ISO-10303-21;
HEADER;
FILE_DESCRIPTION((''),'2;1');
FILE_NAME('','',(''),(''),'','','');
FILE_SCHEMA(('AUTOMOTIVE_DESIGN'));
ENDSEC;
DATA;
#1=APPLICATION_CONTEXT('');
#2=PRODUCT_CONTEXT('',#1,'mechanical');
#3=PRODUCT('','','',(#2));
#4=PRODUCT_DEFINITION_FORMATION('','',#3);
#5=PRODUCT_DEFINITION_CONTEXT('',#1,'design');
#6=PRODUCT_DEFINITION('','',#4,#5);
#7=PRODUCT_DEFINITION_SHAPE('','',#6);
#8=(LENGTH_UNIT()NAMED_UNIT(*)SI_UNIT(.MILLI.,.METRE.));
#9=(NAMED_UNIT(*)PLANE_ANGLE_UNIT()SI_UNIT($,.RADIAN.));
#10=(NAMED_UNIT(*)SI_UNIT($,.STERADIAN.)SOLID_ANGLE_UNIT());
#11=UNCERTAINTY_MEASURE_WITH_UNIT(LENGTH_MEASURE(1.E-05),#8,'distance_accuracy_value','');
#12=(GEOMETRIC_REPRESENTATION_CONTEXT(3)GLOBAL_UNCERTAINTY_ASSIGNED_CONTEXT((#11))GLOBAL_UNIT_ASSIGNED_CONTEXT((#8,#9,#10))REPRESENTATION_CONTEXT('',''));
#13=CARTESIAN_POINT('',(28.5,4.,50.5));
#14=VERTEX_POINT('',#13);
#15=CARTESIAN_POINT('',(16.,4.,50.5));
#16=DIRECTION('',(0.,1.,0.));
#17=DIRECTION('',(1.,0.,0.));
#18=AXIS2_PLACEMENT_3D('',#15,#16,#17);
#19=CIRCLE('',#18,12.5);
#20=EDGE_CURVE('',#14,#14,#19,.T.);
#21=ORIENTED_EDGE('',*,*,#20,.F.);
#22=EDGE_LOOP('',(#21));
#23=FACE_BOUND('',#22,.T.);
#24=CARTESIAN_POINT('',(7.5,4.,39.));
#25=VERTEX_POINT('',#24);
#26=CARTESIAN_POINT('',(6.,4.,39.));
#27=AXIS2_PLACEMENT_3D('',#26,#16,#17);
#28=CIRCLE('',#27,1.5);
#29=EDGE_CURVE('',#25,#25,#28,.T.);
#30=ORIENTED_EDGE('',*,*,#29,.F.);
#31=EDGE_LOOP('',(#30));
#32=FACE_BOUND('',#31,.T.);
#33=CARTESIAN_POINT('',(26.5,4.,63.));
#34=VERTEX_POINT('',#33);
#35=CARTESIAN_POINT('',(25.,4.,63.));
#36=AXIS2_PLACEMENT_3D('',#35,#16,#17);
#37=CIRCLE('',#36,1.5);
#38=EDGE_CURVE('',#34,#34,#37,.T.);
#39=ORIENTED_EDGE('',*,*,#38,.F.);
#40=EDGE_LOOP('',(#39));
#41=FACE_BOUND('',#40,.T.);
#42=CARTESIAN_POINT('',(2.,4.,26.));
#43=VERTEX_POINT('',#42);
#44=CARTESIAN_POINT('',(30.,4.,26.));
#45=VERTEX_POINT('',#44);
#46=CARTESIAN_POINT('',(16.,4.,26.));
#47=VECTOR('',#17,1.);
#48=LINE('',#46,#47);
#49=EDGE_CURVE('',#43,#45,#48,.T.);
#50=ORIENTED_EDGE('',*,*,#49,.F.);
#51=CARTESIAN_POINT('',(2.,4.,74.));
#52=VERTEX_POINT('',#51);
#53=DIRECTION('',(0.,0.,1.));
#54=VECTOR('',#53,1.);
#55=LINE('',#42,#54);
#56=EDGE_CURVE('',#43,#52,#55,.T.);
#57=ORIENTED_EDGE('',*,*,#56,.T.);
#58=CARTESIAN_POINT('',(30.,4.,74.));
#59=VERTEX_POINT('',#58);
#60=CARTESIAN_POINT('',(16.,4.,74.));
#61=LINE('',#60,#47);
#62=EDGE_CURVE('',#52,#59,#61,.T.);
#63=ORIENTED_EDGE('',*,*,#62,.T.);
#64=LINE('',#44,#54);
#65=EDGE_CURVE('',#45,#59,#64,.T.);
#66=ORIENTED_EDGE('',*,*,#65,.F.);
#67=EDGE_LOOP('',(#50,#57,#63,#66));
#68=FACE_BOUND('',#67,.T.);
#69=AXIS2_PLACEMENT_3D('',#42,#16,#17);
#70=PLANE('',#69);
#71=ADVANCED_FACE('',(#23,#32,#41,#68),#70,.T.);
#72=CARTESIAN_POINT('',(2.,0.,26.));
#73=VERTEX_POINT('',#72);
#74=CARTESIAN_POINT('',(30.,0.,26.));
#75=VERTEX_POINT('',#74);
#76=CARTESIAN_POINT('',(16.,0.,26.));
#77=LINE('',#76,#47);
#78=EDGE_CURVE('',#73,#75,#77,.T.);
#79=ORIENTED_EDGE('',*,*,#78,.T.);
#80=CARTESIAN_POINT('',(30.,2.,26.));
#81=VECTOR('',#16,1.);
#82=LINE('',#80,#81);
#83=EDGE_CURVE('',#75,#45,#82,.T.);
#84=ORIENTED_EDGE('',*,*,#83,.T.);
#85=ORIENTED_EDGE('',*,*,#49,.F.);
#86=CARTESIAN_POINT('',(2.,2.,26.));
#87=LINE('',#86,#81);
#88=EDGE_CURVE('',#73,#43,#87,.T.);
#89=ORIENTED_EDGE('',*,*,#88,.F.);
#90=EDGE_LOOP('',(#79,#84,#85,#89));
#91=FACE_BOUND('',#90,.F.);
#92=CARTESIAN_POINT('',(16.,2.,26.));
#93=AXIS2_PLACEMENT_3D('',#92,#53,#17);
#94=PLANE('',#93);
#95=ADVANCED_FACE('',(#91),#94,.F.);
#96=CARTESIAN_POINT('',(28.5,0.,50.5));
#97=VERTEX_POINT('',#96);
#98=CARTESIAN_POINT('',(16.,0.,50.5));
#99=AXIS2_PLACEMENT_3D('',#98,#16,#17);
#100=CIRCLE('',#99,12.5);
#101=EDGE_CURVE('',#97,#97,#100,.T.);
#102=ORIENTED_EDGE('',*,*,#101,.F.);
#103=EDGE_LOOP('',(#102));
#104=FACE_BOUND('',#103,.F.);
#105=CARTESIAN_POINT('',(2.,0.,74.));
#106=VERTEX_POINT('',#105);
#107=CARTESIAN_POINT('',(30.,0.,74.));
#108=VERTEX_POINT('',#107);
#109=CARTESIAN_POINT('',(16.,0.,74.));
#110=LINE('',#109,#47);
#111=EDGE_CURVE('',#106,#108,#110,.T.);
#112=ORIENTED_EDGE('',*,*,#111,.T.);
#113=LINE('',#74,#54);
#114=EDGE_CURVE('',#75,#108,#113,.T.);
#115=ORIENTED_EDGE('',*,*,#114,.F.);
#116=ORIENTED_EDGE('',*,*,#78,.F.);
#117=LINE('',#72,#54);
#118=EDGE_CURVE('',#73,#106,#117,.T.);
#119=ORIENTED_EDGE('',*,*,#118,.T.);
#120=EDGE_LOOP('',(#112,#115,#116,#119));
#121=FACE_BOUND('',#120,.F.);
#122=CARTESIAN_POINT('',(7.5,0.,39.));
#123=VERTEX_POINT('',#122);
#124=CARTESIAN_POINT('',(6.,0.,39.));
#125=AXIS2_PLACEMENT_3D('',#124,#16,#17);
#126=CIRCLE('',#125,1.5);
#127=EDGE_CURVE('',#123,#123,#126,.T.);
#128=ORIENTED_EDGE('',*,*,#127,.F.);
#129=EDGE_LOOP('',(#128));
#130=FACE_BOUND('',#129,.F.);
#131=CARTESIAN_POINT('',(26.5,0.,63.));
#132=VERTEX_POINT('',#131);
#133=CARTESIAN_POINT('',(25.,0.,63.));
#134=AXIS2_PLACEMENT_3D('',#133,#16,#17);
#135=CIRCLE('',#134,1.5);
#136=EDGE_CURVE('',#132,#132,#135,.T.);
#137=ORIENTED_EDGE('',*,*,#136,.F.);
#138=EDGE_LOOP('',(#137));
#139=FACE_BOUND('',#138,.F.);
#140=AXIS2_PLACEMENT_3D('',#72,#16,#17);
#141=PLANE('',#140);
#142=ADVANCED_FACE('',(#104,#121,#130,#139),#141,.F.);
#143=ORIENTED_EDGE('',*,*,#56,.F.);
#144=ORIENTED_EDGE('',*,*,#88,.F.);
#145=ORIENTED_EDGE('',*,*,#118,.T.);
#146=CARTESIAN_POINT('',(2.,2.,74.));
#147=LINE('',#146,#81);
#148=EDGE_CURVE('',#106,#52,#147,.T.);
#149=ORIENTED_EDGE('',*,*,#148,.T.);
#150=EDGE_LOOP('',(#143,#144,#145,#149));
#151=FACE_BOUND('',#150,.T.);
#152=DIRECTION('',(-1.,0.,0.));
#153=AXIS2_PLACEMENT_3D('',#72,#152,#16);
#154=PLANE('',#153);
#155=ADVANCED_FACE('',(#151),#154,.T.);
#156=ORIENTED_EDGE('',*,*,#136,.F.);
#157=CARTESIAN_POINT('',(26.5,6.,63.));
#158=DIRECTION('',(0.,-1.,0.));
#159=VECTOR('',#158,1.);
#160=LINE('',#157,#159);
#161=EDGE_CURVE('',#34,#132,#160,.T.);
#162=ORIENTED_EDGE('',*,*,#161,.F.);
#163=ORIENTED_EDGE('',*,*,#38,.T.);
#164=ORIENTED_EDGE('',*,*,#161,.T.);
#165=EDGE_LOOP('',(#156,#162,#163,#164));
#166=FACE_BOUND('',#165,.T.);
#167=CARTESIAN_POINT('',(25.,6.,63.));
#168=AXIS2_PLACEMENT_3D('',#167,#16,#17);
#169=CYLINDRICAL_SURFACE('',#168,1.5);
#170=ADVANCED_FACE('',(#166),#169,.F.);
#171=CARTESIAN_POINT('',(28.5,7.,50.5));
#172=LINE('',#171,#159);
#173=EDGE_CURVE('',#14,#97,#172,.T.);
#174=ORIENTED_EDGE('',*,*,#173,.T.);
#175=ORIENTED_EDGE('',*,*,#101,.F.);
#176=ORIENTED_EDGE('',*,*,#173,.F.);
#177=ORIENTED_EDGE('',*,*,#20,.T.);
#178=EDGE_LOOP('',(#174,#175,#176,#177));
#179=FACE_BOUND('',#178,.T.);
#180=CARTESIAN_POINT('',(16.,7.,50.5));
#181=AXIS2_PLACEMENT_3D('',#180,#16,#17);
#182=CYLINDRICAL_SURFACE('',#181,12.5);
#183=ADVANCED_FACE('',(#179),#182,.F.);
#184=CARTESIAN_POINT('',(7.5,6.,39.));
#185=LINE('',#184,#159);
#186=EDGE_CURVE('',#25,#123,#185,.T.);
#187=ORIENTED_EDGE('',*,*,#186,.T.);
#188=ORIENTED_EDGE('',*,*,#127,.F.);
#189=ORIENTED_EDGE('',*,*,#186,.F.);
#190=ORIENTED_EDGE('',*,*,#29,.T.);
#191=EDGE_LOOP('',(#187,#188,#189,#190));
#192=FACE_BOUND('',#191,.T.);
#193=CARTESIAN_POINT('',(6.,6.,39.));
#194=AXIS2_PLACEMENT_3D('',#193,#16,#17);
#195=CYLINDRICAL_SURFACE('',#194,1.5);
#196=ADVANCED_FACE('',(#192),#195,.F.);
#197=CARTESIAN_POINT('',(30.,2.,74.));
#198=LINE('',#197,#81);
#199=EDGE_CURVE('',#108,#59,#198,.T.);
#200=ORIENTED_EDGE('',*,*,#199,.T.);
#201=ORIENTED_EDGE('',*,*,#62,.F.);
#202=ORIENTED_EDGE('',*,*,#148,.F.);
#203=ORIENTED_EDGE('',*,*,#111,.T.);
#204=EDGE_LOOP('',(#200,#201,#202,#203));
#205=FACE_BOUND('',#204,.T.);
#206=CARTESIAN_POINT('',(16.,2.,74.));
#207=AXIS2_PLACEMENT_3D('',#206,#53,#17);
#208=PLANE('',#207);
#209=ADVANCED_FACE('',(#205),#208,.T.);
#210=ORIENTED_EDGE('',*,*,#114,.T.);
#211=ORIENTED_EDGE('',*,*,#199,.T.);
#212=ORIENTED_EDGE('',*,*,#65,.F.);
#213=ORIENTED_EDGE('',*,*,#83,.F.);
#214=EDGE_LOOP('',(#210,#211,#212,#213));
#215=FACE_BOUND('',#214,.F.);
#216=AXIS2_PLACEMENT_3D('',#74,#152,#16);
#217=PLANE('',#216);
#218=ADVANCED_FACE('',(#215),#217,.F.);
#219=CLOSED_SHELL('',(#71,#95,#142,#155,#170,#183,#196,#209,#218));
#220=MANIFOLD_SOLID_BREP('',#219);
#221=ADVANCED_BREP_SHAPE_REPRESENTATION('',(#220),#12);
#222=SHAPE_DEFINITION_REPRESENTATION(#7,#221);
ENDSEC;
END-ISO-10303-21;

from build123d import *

# Parameters (mm, degrees)
CYLINDER879_R     = 12.5
CYLINDER879_DEPTH = 10
CYLINDER877_R     = 1.5
CYLINDER877_DEPTH = 10
CYLINDER878_R     = 1.5
CYLINDER878_DEPTH = 10
BOX424_W          = 28
BOX424_H          = 4
BOX424_DEPTH      = 48


with BuildPart() as v_lec879:
    # Cylinder879 → Cylinder879 (new body)
    with BuildSketch(Plane(origin=(16, 7, 50.5), x_dir=(1, 0, 0), z_dir=(0, -1, 0))):
        Circle(CYLINDER879_R)
    extrude(amount=CYLINDER879_DEPTH)


with BuildPart() as v_lec877:
    # Cylinder877 → Cylinder877 (new body)
    with BuildSketch(Plane(origin=(29, 6, 63), x_dir=(1, 0, 0), z_dir=(0, -1, 0))):
        Circle(CYLINDER877_R)
    extrude(amount=CYLINDER877_DEPTH)


with BuildPart() as compound504:
    # Cylinder878 → Cylinder878 (new body)
    with BuildSketch(Plane(origin=(10, 6, 39), x_dir=(1, 0, 0), z_dir=(0, -1, 0))):
        Circle(CYLINDER878_R)
    extrude(amount=CYLINDER878_DEPTH)

    # Compound504: union Válec877
    add(v_lec877.part)


with BuildPart() as compound504_1:
    # Compound504 placement: moved
    add(compound504.part.moved(Location((-4, 0, 0))))


with BuildPart() as cut022:
    # Box424 → Box424 (new body)
    with BuildSketch(Plane(origin=(2, 0, 26), x_dir=(1, 0, 0), z_dir=(0, 0, 1))):
        with Locations((14, 2)):
            Rectangle(BOX424_W, BOX424_H)
    extrude(amount=BOX424_DEPTH)

    # Cut021: cut Compound504
    add(compound504_1.part, mode=Mode.SUBTRACT)

    # Cut022: cut Válec879
    add(v_lec879.part, mode=Mode.SUBTRACT)


solid = cut022.part
